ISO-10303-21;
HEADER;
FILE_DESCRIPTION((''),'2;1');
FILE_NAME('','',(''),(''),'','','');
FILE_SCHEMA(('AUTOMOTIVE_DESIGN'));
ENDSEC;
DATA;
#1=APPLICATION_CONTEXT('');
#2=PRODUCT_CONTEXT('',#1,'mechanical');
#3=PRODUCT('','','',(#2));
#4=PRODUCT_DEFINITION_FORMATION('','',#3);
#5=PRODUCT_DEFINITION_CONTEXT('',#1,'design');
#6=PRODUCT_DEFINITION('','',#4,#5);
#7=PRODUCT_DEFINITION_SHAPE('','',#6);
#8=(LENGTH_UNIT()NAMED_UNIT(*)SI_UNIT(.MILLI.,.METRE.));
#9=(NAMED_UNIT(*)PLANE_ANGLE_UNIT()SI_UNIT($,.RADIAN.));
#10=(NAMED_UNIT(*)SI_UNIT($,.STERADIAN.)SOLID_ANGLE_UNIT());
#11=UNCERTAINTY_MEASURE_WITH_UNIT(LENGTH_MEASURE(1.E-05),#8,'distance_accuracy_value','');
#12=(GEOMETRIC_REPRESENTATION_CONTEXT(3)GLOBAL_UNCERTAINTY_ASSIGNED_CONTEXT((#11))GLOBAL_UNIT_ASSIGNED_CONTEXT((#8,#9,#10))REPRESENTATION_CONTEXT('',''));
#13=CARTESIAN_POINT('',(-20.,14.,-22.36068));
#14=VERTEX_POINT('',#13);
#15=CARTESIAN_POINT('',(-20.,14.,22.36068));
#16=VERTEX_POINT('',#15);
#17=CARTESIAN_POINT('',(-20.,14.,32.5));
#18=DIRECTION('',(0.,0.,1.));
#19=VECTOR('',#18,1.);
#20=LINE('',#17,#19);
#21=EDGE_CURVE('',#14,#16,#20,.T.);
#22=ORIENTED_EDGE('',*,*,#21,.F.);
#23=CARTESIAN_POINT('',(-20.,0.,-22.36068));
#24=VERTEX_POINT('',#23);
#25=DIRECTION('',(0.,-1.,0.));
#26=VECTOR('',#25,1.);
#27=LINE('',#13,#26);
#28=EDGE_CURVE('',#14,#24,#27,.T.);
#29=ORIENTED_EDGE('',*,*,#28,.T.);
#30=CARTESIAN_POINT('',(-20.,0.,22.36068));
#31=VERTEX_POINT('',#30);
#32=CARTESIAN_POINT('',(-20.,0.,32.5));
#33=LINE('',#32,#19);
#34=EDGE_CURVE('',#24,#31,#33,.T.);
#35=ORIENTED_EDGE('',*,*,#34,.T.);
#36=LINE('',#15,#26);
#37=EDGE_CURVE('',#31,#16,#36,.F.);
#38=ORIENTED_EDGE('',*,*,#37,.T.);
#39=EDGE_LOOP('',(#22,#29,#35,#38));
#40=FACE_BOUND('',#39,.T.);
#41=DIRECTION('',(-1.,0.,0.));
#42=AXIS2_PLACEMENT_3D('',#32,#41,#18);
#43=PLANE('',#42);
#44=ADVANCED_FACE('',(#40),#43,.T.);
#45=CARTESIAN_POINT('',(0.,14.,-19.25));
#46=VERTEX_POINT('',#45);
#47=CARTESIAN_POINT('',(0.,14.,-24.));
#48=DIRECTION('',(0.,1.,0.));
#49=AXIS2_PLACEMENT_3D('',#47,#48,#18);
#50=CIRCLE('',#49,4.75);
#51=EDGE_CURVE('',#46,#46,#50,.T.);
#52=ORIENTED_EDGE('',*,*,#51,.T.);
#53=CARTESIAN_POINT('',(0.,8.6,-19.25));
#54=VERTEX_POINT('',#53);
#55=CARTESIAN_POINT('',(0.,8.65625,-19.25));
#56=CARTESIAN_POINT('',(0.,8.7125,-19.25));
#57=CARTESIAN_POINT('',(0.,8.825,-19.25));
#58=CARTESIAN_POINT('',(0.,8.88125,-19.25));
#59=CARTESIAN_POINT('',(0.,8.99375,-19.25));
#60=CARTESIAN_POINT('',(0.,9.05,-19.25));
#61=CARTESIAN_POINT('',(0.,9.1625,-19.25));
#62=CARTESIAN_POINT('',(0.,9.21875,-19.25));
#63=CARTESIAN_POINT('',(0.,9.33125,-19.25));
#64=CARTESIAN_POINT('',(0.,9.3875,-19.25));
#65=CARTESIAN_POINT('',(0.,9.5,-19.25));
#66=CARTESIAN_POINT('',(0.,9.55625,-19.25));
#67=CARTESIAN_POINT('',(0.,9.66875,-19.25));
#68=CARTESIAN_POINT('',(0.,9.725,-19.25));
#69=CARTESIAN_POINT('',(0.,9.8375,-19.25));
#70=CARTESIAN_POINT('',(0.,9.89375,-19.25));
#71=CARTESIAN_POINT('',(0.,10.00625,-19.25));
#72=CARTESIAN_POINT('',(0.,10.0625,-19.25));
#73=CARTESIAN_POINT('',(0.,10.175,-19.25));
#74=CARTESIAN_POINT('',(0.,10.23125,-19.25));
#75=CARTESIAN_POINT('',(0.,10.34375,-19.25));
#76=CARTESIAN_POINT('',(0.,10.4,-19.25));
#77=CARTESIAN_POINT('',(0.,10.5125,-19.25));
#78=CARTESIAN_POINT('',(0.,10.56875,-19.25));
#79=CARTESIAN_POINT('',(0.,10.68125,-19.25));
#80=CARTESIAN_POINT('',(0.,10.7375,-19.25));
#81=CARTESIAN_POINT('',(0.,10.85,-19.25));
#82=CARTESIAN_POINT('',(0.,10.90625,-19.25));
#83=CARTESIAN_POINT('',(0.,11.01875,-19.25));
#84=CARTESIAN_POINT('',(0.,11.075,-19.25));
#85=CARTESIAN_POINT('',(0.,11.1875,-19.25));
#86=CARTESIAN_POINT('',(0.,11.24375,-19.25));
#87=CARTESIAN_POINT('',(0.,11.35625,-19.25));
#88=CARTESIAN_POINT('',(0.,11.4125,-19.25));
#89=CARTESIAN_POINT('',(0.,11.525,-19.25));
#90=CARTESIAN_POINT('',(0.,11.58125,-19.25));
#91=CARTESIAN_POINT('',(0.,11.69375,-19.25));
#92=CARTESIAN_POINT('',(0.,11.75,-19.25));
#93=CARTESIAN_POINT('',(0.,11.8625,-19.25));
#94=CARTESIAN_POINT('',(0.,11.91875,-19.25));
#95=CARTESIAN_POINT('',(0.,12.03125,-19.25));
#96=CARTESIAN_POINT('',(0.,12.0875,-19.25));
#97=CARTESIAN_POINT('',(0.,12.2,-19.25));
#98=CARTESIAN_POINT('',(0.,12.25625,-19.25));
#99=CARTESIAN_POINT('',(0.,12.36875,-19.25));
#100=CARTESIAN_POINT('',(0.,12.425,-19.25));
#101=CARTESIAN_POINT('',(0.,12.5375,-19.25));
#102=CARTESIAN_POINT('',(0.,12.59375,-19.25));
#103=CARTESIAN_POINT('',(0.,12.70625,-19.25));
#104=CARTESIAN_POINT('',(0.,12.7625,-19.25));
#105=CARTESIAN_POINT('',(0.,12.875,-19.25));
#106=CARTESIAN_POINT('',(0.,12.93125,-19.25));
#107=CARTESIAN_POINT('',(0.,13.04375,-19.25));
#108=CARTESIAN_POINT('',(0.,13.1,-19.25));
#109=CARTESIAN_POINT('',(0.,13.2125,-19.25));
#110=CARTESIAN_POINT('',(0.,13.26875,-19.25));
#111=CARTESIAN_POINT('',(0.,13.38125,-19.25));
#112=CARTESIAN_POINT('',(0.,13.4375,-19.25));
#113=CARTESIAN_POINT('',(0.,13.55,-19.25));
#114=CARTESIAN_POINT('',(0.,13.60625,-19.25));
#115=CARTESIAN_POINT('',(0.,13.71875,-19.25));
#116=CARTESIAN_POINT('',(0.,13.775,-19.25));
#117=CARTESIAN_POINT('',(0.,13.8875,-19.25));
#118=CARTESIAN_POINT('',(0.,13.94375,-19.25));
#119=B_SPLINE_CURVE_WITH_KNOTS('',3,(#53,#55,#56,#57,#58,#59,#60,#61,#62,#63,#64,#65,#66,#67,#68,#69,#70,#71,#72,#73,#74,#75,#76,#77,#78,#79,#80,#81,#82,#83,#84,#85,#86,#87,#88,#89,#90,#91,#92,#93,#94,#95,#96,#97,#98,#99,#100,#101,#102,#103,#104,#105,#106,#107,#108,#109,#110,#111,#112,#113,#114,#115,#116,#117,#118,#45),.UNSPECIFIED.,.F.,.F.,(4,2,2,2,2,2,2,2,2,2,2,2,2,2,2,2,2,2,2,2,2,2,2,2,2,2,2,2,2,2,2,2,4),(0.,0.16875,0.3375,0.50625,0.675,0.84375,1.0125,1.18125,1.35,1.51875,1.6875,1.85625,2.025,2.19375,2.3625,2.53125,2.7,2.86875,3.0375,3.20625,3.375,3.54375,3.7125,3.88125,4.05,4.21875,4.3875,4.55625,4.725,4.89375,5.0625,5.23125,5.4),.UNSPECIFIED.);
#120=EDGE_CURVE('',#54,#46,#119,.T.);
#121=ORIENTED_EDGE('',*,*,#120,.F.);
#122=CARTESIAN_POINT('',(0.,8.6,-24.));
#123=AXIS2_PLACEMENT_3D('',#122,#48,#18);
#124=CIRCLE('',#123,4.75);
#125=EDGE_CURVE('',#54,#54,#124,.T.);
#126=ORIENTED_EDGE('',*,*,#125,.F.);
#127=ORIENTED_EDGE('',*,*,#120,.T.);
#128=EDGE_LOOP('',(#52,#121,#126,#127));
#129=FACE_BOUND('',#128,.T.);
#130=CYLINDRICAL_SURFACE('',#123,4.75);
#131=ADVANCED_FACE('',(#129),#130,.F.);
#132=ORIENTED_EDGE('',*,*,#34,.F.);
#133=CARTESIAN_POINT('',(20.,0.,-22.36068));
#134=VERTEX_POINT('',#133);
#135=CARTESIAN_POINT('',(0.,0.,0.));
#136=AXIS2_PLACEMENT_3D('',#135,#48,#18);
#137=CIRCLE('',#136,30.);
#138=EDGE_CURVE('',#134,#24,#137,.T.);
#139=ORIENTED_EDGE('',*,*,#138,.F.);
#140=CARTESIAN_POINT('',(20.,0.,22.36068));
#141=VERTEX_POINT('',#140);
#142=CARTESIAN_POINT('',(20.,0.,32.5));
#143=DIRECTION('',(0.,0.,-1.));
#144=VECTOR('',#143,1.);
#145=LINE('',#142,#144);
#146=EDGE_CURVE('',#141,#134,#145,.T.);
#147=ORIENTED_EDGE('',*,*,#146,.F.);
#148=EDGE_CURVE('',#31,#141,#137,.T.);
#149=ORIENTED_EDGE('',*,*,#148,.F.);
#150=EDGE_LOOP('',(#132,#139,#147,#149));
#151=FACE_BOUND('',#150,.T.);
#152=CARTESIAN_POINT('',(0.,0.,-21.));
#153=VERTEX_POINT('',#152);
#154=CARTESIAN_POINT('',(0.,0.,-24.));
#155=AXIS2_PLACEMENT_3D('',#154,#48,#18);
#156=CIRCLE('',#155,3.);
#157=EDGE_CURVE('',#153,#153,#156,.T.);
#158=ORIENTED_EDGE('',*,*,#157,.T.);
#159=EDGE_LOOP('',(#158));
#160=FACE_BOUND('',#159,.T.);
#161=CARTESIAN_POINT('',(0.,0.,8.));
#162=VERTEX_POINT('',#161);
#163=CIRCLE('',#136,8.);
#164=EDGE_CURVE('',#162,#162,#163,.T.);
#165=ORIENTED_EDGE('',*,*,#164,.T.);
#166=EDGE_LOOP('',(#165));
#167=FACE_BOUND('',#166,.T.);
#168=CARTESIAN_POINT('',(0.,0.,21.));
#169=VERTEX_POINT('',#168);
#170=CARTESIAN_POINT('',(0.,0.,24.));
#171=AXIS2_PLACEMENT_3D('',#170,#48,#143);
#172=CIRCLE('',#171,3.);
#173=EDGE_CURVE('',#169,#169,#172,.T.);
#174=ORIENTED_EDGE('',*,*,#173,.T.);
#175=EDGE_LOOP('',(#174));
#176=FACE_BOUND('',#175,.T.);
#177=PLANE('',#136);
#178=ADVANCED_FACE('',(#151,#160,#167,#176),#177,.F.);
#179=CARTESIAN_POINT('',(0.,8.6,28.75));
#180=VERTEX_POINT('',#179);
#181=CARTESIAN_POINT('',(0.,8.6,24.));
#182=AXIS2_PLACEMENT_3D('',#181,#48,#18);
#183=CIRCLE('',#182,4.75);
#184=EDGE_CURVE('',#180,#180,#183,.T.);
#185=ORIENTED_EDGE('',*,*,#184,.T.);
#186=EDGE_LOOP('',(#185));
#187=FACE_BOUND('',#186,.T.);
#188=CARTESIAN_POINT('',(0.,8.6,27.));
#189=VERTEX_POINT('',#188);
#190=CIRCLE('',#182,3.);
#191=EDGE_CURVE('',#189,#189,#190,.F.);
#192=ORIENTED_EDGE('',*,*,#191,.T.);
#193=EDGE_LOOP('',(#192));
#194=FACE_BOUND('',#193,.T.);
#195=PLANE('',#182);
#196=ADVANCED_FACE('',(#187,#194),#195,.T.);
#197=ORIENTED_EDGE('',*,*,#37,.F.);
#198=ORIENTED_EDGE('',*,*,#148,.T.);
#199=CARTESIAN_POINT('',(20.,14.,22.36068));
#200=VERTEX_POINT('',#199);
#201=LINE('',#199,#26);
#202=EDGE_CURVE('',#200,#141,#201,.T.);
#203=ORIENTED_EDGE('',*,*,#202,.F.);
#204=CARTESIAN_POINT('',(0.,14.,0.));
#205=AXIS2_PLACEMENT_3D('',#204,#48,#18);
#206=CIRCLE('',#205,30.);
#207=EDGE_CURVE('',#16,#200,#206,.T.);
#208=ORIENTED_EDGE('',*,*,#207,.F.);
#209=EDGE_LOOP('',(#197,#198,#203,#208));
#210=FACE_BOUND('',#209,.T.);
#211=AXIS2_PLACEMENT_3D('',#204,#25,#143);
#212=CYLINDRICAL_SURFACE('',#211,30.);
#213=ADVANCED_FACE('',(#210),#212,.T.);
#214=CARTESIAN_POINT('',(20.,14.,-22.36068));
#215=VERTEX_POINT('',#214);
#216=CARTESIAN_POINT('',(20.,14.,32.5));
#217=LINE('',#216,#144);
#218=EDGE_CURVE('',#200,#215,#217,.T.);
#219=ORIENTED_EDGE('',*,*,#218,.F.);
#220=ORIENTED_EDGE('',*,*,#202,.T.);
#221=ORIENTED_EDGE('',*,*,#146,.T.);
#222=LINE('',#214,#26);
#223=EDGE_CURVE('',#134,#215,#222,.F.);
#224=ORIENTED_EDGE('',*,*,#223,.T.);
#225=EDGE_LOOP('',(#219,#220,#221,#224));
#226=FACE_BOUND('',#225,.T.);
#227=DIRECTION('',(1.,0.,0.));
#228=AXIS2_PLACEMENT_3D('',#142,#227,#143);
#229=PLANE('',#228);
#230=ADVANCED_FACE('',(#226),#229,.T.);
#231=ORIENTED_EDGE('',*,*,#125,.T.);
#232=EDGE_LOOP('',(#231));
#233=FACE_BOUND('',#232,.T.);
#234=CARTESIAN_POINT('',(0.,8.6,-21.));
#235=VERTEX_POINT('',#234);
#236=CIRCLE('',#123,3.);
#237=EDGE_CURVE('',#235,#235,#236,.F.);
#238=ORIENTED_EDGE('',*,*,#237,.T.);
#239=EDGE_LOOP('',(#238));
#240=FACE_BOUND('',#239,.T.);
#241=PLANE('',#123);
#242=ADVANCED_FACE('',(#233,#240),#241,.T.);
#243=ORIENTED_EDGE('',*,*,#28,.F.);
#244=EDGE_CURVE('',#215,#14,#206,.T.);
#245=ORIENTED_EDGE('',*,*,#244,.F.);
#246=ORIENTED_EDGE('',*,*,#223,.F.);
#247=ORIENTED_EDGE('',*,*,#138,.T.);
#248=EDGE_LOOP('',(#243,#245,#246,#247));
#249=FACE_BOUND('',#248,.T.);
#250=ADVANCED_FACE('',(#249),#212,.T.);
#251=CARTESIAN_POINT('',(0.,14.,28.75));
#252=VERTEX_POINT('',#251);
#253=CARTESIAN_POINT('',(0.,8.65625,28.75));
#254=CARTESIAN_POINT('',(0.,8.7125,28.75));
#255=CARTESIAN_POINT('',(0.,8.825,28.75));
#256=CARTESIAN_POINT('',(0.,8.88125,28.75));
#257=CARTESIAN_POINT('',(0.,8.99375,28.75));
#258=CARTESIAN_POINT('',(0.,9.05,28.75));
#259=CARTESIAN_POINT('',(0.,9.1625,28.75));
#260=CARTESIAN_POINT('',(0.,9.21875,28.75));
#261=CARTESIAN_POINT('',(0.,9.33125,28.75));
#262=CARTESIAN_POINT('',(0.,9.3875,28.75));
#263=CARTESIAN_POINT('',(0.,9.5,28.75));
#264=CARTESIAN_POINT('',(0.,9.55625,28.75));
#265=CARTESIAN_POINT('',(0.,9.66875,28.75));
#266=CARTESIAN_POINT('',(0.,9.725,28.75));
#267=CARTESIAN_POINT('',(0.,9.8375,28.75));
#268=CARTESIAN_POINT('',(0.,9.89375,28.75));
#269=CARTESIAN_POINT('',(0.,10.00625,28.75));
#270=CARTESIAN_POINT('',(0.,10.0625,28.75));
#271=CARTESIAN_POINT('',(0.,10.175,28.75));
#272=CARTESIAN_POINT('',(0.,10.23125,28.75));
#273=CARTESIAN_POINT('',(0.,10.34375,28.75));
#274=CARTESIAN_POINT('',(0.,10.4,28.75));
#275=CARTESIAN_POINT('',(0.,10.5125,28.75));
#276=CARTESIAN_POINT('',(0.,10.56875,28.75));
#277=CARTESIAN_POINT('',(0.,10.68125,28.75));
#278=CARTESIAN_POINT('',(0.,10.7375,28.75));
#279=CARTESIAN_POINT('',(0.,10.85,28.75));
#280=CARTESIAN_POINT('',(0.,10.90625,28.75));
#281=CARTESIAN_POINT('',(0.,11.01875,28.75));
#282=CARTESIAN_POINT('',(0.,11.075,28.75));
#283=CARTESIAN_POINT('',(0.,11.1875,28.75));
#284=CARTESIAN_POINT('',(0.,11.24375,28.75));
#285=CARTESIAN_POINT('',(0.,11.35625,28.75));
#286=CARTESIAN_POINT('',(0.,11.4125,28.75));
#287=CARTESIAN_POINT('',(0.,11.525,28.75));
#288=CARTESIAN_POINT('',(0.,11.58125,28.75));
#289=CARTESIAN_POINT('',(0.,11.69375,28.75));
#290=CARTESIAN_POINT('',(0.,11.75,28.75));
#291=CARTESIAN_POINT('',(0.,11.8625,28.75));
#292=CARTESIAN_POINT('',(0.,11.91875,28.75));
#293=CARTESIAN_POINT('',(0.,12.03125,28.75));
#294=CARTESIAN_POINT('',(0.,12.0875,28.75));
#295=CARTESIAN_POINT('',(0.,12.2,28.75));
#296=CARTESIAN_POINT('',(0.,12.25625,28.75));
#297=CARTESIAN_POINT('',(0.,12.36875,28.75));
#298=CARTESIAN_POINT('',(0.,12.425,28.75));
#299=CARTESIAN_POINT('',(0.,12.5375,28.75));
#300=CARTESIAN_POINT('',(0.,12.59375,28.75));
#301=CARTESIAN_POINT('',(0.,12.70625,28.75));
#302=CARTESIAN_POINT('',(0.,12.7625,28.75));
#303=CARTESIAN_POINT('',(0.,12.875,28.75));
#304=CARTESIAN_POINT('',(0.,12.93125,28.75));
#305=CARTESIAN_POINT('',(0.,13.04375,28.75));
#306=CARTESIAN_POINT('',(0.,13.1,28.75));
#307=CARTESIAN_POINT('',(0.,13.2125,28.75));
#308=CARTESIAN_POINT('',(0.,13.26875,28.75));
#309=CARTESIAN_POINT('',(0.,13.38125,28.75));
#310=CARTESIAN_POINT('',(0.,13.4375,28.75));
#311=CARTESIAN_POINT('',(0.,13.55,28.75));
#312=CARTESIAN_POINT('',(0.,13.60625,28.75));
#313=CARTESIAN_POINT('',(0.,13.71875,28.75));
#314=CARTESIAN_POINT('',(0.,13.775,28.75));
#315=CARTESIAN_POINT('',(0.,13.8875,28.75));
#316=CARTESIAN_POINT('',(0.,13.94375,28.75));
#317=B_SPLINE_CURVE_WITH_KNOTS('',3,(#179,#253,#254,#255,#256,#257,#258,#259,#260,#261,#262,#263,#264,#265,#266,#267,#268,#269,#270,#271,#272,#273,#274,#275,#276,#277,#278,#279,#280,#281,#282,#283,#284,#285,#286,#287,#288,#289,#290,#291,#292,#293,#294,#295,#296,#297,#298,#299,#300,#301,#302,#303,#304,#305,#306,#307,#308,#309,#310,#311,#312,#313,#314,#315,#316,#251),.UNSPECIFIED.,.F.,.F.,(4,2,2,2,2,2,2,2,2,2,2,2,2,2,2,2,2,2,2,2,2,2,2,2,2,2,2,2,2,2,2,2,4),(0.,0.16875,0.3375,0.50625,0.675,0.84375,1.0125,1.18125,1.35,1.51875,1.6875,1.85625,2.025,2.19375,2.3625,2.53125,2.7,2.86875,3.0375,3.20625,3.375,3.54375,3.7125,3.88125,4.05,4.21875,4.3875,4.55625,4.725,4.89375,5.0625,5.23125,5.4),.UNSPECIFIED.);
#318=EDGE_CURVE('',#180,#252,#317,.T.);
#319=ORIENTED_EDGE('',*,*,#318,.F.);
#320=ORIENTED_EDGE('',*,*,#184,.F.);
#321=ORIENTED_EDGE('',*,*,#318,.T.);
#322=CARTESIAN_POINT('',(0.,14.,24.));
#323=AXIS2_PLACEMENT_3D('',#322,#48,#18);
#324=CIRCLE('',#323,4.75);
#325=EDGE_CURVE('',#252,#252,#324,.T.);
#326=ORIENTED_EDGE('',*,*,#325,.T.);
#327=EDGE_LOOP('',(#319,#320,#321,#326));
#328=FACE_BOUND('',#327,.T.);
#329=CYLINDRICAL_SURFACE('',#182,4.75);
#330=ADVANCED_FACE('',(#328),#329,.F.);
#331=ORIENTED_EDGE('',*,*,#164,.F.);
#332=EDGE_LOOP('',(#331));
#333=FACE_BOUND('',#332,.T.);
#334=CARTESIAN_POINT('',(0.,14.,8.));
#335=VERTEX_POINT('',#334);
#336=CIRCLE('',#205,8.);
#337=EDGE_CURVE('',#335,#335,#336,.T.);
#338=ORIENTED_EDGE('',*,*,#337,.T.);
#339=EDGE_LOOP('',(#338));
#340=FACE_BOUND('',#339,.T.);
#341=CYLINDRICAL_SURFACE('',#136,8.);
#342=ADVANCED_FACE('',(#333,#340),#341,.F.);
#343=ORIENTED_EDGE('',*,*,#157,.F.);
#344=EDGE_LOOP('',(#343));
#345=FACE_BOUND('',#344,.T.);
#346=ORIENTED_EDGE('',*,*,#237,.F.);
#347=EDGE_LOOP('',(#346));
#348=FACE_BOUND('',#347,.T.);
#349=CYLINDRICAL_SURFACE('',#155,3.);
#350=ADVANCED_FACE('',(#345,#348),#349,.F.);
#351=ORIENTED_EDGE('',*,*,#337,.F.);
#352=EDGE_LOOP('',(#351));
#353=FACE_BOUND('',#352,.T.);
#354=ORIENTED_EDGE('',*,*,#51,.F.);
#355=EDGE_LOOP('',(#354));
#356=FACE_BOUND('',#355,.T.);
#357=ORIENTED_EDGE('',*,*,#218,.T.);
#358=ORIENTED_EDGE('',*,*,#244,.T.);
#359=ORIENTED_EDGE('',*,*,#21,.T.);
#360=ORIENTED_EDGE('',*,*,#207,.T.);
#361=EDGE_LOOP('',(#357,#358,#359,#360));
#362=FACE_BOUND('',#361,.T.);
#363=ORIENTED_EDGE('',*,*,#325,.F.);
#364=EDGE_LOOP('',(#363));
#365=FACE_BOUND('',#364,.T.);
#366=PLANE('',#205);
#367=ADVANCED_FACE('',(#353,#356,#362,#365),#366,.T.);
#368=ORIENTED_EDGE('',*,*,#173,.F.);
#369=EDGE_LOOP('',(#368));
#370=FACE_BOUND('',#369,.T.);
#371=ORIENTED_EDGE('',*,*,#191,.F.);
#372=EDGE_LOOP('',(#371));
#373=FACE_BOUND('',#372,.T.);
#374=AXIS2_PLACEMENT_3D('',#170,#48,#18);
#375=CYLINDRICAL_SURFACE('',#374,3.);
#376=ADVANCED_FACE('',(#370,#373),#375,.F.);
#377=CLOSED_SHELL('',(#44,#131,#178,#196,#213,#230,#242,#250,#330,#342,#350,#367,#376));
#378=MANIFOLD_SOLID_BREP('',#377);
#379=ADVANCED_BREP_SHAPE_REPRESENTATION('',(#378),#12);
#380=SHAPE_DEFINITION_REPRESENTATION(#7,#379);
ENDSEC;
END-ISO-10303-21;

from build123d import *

# Parameters (mm, degrees)
SKETCH_1_R           = 30
EXTRUDE_1_DEPTH      = 14
SKETCH_2_R           = 8
CUT_EXTRUDE_1_DEPTH  = 14
SKETCH_3_R           = 3
CUT_EXTRUDE_2_DEPTH  = 14
SKETCH_4_R           = 4.75
CUT_EXTRUDE_3_DEPTH  = 5.4
SKETCH_5_OUTSIDE_W   = 79.2
SKETCH_5_OUTSIDE_H   = 79.2
SKETCH_5_OUTSIDE_W_2 = 40
SKETCH_5_OUTSIDE_H_2 = 65
CUT_EXTRUDE_4_DEPTH  = 14


with BuildPart() as part:
    # 草图1 → 凸台-拉伸1 (new body)
    with BuildSketch(Plane(origin=(0, 0, 0), x_dir=(1, 0, 0), z_dir=(0, 1, 0))):
        with Locations(Location((0, 0, 0), (0, 0, 270))):
            Circle(SKETCH_1_R)
    extrude(amount=EXTRUDE_1_DEPTH)

    # 草图2 → 切除-拉伸1 (cut)
    with BuildSketch(Plane(origin=(0, 14, 0), x_dir=(1, 0, 0), z_dir=(0, 1, 0))):
        with Locations(Location((0, 0, 0), (0, 0, 270))):
            Circle(SKETCH_2_R)
    extrude(amount=-CUT_EXTRUDE_1_DEPTH, mode=Mode.SUBTRACT)

    # 草图3 → 切除-拉伸2 (cut)
    with BuildSketch(Plane(origin=(0, 14, 0), x_dir=(1, 0, 0), z_dir=(0, 1, 0))):
        with Locations(Location((0, 24, 0), (0, 0, 270))):
            Circle(SKETCH_3_R)
        with Locations(Location((0, -24, 0), (0, 0, 90))):
            Circle(SKETCH_3_R)
    extrude(amount=-CUT_EXTRUDE_2_DEPTH, mode=Mode.SUBTRACT)

    # 草图4 → 切除-拉伸3 (cut)
    with BuildSketch(Plane(origin=(0, 14, 0), x_dir=(1, 0, 0), z_dir=(0, 1, 0))):
        with Locations(Location((0, 24, 0), (0, 0, 270))):
            Circle(SKETCH_4_R)
        with Locations(Location((0, -24, 0), (0, 0, 270))):
            Circle(SKETCH_4_R)
    extrude(amount=-CUT_EXTRUDE_3_DEPTH, mode=Mode.SUBTRACT)

    # 草图5 outside → 切除-拉伸4 (cut)
    with BuildSketch(Plane(origin=(0, 14, 0), x_dir=(1, 0, 0), z_dir=(0, 1, 0))):
        Rectangle(SKETCH_5_OUTSIDE_W, SKETCH_5_OUTSIDE_H)
        Rectangle(SKETCH_5_OUTSIDE_W_2, SKETCH_5_OUTSIDE_H_2, mode=Mode.SUBTRACT)
    extrude(amount=-CUT_EXTRUDE_4_DEPTH, mode=Mode.SUBTRACT)


solid = part.part
